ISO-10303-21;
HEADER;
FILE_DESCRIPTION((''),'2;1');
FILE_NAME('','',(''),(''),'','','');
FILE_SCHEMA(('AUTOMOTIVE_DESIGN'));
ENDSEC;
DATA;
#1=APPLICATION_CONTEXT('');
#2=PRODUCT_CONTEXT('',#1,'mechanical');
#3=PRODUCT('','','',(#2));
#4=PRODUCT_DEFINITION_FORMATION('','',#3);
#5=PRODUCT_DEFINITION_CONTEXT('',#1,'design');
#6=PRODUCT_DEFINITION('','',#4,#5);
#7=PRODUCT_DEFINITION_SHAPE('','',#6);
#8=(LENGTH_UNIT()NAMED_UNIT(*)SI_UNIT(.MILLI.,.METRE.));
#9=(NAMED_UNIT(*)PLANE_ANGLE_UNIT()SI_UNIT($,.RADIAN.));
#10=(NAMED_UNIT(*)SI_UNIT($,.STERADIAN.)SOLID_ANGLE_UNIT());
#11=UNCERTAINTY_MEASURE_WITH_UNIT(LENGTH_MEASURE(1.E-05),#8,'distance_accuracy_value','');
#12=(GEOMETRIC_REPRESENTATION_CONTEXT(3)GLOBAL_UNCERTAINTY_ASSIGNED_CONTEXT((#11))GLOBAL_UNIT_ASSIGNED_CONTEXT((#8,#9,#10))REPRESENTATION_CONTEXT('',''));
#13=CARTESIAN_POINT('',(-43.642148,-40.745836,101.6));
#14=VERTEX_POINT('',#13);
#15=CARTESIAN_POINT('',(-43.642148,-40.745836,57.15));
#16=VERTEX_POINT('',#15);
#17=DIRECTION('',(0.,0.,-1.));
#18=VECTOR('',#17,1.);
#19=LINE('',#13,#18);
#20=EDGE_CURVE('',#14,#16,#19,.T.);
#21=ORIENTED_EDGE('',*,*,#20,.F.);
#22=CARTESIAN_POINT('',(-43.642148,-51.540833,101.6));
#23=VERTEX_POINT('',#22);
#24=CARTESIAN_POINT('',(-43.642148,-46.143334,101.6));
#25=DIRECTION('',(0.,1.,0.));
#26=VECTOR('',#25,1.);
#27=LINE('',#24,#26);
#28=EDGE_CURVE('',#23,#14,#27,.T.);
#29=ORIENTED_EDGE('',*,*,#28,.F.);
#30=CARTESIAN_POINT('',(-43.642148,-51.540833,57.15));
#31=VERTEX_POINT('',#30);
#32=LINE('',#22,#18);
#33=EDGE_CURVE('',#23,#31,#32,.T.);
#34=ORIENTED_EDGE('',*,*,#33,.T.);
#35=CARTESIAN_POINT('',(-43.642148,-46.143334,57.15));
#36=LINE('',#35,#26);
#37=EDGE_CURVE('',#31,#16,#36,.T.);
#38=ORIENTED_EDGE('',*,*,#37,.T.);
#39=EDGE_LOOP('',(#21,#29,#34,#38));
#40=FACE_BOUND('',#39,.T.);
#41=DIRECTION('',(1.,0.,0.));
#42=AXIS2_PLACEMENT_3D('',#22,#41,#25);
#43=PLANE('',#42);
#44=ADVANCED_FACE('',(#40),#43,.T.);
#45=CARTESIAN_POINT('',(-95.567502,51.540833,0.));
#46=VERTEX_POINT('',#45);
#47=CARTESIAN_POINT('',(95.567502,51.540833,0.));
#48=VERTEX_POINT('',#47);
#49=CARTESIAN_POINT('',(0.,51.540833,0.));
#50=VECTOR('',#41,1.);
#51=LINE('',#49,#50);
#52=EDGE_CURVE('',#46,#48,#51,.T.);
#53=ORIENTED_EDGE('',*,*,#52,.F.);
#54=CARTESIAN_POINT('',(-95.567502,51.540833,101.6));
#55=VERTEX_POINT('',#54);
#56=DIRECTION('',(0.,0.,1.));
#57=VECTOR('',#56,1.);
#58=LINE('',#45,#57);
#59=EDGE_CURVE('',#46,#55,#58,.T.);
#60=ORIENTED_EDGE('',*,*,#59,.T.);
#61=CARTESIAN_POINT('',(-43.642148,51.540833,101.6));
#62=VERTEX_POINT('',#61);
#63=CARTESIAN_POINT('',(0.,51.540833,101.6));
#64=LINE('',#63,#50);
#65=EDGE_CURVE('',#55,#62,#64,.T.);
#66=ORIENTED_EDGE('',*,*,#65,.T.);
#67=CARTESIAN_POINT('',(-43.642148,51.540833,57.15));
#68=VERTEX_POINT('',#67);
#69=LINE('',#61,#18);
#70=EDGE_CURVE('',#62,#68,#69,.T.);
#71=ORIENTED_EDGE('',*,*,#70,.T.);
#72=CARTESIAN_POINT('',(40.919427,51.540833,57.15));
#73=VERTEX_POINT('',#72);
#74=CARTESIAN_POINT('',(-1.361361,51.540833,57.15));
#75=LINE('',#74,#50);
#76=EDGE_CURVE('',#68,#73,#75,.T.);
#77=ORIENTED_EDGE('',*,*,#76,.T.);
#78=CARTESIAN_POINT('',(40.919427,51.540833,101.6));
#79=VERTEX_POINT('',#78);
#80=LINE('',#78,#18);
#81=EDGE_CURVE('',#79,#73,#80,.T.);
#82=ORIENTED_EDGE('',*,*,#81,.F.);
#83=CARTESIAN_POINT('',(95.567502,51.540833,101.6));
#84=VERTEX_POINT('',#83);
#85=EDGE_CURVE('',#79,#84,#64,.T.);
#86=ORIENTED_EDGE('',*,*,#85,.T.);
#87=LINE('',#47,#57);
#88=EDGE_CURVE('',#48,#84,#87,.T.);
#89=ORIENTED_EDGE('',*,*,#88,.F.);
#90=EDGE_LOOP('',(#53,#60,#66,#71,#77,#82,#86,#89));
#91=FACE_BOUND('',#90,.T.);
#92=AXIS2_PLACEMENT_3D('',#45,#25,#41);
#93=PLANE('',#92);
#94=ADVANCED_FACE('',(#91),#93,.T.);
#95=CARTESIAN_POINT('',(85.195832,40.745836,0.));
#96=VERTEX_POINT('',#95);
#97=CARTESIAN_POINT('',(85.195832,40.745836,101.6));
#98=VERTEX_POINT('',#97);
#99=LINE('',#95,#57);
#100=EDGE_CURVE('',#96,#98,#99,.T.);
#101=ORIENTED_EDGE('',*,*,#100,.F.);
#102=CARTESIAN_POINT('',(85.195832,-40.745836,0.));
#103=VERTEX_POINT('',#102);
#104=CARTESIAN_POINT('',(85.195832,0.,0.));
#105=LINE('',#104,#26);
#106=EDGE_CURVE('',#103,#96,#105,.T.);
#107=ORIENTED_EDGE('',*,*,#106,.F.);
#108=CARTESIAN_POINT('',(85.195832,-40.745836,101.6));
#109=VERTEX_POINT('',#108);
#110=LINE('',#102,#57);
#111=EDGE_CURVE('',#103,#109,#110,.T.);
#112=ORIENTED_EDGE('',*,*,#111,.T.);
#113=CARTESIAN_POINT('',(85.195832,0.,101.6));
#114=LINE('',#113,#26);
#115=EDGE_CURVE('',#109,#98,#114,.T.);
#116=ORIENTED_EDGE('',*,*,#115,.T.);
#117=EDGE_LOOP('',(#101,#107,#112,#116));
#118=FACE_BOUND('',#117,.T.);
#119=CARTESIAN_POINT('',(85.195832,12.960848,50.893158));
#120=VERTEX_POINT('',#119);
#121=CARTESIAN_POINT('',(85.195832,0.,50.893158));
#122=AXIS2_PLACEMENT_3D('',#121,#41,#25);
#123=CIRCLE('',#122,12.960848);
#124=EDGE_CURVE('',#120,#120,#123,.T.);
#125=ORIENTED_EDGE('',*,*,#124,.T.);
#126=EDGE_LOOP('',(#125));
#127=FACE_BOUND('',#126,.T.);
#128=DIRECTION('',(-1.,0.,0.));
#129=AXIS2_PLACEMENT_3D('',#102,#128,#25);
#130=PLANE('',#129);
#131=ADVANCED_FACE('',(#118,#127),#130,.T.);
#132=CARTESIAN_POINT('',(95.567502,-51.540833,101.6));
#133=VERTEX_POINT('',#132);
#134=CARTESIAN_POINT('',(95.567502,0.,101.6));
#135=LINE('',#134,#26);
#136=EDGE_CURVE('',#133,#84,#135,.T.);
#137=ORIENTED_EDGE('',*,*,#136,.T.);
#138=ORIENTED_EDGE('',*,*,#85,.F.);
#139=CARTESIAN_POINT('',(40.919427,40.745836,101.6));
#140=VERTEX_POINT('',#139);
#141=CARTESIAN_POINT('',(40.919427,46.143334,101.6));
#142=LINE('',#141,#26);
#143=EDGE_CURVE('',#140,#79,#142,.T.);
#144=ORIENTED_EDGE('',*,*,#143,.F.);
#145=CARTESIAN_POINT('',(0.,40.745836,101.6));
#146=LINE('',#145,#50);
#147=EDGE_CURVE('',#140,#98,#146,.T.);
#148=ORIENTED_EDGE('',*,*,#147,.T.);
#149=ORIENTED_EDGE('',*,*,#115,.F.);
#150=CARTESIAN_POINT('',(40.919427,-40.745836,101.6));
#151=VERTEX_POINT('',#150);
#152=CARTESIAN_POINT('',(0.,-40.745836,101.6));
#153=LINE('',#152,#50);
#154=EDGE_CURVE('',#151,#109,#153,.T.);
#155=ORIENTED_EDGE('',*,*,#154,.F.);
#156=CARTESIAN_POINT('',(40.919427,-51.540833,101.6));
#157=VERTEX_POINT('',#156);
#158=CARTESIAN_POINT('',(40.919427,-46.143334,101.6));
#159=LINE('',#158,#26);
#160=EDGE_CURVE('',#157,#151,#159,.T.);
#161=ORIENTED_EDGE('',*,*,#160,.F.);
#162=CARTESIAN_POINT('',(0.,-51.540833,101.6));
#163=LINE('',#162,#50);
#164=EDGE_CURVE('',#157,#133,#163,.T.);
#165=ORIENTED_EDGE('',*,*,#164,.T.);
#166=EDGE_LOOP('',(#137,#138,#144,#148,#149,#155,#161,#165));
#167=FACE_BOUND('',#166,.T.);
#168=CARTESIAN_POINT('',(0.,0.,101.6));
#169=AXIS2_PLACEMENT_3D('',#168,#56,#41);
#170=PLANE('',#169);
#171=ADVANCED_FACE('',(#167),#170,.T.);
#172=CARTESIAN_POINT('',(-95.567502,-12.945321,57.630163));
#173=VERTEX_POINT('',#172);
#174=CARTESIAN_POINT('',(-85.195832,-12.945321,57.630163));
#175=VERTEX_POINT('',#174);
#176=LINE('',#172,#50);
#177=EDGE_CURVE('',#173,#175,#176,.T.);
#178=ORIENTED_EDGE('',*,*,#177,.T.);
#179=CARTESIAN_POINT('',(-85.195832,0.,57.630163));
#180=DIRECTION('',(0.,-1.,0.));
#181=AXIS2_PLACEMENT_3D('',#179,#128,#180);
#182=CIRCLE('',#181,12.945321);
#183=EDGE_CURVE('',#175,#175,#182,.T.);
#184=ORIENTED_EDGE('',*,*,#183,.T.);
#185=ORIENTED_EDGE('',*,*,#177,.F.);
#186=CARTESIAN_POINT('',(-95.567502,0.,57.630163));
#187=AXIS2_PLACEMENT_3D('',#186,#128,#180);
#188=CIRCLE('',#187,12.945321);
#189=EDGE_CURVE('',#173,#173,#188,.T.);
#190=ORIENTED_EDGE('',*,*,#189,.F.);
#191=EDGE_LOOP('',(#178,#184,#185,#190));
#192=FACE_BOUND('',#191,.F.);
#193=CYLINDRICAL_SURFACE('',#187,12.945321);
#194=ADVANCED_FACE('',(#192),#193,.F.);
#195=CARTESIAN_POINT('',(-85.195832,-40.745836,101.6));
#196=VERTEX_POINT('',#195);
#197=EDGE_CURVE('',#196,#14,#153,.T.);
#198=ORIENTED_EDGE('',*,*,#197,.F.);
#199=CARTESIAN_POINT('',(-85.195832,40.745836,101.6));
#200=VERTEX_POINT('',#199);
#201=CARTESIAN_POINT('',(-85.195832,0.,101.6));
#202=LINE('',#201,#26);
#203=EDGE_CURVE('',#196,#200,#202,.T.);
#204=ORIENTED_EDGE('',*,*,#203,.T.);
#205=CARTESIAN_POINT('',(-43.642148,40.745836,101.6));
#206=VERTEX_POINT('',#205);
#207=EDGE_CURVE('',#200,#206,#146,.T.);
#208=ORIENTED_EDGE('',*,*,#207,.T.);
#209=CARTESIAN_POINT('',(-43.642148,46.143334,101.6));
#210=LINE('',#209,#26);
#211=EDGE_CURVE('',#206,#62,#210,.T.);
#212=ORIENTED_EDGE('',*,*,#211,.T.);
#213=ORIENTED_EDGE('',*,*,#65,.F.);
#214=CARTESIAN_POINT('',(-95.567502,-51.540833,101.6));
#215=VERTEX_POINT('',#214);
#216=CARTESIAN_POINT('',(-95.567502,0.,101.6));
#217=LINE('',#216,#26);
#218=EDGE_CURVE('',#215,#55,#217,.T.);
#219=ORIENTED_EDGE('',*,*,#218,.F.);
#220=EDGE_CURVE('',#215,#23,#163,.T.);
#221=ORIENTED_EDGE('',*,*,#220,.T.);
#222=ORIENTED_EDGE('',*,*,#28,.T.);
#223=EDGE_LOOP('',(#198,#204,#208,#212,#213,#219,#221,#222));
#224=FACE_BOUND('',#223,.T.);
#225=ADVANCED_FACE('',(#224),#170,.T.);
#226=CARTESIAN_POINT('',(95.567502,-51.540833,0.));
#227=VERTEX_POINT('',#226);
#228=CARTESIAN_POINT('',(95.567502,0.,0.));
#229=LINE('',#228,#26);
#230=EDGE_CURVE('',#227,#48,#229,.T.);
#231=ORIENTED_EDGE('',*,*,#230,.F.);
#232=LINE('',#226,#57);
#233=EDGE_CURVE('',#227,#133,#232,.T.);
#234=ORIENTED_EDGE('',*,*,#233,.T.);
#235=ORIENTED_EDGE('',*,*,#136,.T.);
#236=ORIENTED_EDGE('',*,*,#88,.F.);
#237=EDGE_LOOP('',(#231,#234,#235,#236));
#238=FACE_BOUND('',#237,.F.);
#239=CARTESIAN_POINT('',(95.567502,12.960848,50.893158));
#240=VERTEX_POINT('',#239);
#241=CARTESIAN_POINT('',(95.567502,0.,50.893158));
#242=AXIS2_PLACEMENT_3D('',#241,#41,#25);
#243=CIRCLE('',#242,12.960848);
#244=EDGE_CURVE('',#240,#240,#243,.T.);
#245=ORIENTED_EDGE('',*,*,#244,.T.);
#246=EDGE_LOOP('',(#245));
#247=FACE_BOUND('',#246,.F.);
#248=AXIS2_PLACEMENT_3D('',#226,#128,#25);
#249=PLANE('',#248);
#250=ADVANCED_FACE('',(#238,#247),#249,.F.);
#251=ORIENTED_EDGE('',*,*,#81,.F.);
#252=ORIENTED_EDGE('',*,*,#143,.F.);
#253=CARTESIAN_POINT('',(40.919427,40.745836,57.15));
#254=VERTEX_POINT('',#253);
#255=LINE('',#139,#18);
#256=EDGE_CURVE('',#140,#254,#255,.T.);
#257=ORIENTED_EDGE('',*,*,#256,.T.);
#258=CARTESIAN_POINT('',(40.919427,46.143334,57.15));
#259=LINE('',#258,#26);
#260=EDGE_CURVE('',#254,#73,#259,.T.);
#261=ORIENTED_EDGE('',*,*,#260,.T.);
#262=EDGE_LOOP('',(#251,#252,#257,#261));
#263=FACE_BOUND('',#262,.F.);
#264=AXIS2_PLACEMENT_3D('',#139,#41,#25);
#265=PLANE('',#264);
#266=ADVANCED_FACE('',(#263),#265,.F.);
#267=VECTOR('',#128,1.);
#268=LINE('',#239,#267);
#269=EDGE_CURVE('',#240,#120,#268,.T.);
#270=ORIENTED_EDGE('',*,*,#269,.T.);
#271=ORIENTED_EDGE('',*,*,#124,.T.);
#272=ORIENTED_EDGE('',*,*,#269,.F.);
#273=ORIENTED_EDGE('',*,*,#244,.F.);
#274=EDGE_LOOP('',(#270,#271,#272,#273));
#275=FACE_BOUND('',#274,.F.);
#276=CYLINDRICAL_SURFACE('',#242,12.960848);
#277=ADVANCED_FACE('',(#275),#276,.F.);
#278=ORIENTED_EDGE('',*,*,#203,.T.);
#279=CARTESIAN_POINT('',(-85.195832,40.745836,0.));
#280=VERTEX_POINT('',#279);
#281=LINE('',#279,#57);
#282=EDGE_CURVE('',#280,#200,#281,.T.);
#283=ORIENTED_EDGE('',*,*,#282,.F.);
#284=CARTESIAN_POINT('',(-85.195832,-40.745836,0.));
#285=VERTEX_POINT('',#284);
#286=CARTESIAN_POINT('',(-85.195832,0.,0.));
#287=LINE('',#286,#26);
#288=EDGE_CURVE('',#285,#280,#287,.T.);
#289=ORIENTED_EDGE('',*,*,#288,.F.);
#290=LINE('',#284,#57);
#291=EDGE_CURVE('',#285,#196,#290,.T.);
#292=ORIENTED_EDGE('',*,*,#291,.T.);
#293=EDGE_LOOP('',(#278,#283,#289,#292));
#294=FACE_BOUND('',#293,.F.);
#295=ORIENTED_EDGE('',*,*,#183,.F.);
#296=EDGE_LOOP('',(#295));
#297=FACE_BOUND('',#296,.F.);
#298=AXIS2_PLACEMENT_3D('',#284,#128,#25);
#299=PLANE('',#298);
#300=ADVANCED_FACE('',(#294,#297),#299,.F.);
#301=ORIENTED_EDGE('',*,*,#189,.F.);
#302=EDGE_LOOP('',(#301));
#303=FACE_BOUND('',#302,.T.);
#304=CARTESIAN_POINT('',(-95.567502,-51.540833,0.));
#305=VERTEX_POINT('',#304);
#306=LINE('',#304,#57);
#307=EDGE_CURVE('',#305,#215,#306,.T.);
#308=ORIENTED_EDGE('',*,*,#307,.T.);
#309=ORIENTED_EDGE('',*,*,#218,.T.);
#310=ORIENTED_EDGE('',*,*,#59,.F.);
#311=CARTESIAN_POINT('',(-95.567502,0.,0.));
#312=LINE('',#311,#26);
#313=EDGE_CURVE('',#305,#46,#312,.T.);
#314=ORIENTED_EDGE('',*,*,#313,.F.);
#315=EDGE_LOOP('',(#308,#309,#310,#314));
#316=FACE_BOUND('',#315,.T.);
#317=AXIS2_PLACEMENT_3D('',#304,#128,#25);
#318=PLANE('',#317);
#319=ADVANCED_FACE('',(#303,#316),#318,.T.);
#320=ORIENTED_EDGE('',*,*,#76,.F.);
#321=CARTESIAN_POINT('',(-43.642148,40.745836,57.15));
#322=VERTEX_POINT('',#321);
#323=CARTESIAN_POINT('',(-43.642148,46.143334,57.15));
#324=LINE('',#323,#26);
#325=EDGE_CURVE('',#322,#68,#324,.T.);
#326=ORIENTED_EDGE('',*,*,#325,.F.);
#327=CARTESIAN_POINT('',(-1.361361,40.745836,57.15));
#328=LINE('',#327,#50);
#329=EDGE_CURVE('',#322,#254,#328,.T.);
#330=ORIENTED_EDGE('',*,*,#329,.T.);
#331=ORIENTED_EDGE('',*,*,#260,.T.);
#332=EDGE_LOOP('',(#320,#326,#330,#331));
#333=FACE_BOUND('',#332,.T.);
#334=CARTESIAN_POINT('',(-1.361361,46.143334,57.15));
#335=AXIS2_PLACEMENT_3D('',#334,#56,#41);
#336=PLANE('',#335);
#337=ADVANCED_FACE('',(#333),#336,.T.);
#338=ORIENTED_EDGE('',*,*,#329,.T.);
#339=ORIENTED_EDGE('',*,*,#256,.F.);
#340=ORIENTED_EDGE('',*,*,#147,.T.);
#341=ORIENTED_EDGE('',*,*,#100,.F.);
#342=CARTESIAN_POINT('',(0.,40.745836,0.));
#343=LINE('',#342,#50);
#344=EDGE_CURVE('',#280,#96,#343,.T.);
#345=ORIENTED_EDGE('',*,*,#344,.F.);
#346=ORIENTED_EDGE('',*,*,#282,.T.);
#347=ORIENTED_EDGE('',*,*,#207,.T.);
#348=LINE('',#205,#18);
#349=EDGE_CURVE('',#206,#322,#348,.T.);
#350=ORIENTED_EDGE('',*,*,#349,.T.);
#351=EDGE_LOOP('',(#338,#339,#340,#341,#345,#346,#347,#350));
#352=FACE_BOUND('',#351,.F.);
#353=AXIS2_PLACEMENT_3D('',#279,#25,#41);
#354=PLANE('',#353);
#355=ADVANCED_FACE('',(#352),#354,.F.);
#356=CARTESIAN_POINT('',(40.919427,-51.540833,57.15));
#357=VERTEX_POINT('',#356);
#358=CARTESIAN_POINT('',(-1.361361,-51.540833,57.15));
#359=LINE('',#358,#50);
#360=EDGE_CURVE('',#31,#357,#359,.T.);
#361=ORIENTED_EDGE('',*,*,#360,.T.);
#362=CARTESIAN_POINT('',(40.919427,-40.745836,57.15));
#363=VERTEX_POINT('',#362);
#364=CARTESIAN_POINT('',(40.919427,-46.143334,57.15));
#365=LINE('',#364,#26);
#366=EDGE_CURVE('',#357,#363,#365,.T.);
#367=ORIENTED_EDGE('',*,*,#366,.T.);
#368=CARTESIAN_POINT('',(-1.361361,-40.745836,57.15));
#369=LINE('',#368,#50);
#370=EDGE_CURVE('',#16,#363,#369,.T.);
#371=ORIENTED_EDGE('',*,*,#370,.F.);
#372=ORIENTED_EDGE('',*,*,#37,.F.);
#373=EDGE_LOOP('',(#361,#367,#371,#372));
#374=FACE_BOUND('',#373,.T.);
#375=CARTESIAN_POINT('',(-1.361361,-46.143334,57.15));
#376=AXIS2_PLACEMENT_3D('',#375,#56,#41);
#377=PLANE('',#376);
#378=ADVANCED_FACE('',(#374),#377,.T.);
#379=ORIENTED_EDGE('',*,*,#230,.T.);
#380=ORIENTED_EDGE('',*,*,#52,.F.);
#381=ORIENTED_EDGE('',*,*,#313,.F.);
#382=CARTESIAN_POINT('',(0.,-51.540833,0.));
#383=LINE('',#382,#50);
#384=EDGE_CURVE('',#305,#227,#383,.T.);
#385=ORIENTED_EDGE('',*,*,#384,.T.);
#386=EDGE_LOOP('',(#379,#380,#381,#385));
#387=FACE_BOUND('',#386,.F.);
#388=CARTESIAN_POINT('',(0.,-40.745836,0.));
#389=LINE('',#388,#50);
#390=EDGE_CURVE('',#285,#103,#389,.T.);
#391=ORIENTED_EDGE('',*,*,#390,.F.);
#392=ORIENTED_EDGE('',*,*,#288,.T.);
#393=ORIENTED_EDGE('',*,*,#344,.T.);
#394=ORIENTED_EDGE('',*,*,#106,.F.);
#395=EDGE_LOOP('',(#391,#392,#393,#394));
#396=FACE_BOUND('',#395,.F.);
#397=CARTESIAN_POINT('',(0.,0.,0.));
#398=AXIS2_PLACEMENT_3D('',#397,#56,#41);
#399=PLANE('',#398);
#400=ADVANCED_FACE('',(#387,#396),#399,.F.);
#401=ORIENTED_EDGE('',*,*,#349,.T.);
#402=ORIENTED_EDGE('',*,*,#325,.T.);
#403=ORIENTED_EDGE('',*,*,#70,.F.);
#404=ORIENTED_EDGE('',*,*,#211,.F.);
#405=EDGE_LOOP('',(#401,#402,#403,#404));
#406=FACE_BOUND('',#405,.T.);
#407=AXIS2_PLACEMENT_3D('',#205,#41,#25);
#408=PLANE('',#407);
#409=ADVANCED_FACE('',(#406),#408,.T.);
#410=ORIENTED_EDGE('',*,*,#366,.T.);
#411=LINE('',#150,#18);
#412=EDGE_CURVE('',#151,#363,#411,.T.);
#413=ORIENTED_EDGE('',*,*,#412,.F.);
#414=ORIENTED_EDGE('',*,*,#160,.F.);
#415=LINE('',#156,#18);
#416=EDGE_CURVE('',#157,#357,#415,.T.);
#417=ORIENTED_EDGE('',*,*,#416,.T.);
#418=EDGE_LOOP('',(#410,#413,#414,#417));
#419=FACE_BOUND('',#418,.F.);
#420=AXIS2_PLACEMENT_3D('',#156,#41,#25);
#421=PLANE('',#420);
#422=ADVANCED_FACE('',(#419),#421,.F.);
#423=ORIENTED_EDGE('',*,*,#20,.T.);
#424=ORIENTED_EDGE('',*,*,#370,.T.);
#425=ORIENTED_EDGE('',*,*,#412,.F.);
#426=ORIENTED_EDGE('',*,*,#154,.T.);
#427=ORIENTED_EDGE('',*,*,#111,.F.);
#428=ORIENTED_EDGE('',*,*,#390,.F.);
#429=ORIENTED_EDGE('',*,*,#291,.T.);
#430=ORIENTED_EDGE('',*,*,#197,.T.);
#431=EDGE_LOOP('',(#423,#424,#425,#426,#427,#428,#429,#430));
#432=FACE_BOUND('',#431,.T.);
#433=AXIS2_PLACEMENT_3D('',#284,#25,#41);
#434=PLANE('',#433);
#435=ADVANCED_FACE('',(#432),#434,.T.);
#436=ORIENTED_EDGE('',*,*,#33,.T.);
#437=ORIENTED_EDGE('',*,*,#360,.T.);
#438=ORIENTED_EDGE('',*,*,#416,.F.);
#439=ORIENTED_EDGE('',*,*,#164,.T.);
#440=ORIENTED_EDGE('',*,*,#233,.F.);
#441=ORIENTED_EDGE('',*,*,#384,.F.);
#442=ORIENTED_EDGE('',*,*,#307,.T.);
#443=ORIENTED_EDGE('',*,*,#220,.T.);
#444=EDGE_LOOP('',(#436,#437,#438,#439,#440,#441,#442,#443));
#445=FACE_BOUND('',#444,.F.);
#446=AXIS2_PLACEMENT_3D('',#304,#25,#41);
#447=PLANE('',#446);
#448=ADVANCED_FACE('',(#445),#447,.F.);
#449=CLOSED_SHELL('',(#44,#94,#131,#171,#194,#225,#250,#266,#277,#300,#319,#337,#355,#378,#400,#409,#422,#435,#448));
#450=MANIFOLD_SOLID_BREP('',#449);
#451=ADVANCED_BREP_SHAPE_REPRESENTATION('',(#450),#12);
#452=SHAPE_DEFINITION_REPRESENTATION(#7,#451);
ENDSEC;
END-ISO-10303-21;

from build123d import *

# Parameters (mm, degrees)
F0_W     = 191.1350041628
F0_H     = 103.0816659331
F0_W_2   = 170.391663909
F0_H_2   = 81.4916715026
F1_DEPTH = 101.6
F2_W     = 84.5615752041
F2_H     = 10.7949972153
F3_DEPTH = 44.45
F4_W     = 84.5615752041
F4_H     = 10.7949972153
F5_DEPTH = 44.45
F6_R     = 12.9453213724
F7_DEPTH = 25.4
F8_R     = 12.9608479871
F9_DEPTH = 25.4


with BuildPart() as f1:
    # F0 (on Top) → F1 (new body)
    with BuildSketch(Plane.XY):
        Rectangle(F0_W, F0_H)
        Rectangle(F0_W_2, F0_H_2, mode=Mode.SUBTRACT)
    extrude(amount=F1_DEPTH)

    # F2 (on face) → F3 (cut)
    with BuildSketch(Plane.XY.offset(101.6)):
        with Locations((-1.3613607734, -46.1433343589)):
            Rectangle(F2_W, F2_H)
    extrude(amount=-F3_DEPTH, mode=Mode.SUBTRACT)

    # F4 (on face) → F5 (cut)
    with BuildSketch(Plane.XY.offset(101.6)):
        with Locations((-1.3613607734, 46.1433343589)):
            Rectangle(F4_W, F4_H)
    extrude(amount=-F5_DEPTH, mode=Mode.SUBTRACT)

    # F6 (on face) → F7 (cut)
    with BuildSketch(Plane(origin=(-95.5675020814, 0, 0), x_dir=(0, -1, 0), z_dir=(-1, 0, 0))):
        with Locations((0, 57.6301626861)):
            Circle(F6_R)
    extrude(amount=-F7_DEPTH, mode=Mode.SUBTRACT)

    # F8 (on face) → F9 (cut)
    with BuildSketch(Plane.YZ.offset(95.5675020814)):
        with Locations((0, 50.8931577206)):
            Circle(F8_R)
    extrude(amount=-F9_DEPTH, mode=Mode.SUBTRACT)


solid = f1.part
